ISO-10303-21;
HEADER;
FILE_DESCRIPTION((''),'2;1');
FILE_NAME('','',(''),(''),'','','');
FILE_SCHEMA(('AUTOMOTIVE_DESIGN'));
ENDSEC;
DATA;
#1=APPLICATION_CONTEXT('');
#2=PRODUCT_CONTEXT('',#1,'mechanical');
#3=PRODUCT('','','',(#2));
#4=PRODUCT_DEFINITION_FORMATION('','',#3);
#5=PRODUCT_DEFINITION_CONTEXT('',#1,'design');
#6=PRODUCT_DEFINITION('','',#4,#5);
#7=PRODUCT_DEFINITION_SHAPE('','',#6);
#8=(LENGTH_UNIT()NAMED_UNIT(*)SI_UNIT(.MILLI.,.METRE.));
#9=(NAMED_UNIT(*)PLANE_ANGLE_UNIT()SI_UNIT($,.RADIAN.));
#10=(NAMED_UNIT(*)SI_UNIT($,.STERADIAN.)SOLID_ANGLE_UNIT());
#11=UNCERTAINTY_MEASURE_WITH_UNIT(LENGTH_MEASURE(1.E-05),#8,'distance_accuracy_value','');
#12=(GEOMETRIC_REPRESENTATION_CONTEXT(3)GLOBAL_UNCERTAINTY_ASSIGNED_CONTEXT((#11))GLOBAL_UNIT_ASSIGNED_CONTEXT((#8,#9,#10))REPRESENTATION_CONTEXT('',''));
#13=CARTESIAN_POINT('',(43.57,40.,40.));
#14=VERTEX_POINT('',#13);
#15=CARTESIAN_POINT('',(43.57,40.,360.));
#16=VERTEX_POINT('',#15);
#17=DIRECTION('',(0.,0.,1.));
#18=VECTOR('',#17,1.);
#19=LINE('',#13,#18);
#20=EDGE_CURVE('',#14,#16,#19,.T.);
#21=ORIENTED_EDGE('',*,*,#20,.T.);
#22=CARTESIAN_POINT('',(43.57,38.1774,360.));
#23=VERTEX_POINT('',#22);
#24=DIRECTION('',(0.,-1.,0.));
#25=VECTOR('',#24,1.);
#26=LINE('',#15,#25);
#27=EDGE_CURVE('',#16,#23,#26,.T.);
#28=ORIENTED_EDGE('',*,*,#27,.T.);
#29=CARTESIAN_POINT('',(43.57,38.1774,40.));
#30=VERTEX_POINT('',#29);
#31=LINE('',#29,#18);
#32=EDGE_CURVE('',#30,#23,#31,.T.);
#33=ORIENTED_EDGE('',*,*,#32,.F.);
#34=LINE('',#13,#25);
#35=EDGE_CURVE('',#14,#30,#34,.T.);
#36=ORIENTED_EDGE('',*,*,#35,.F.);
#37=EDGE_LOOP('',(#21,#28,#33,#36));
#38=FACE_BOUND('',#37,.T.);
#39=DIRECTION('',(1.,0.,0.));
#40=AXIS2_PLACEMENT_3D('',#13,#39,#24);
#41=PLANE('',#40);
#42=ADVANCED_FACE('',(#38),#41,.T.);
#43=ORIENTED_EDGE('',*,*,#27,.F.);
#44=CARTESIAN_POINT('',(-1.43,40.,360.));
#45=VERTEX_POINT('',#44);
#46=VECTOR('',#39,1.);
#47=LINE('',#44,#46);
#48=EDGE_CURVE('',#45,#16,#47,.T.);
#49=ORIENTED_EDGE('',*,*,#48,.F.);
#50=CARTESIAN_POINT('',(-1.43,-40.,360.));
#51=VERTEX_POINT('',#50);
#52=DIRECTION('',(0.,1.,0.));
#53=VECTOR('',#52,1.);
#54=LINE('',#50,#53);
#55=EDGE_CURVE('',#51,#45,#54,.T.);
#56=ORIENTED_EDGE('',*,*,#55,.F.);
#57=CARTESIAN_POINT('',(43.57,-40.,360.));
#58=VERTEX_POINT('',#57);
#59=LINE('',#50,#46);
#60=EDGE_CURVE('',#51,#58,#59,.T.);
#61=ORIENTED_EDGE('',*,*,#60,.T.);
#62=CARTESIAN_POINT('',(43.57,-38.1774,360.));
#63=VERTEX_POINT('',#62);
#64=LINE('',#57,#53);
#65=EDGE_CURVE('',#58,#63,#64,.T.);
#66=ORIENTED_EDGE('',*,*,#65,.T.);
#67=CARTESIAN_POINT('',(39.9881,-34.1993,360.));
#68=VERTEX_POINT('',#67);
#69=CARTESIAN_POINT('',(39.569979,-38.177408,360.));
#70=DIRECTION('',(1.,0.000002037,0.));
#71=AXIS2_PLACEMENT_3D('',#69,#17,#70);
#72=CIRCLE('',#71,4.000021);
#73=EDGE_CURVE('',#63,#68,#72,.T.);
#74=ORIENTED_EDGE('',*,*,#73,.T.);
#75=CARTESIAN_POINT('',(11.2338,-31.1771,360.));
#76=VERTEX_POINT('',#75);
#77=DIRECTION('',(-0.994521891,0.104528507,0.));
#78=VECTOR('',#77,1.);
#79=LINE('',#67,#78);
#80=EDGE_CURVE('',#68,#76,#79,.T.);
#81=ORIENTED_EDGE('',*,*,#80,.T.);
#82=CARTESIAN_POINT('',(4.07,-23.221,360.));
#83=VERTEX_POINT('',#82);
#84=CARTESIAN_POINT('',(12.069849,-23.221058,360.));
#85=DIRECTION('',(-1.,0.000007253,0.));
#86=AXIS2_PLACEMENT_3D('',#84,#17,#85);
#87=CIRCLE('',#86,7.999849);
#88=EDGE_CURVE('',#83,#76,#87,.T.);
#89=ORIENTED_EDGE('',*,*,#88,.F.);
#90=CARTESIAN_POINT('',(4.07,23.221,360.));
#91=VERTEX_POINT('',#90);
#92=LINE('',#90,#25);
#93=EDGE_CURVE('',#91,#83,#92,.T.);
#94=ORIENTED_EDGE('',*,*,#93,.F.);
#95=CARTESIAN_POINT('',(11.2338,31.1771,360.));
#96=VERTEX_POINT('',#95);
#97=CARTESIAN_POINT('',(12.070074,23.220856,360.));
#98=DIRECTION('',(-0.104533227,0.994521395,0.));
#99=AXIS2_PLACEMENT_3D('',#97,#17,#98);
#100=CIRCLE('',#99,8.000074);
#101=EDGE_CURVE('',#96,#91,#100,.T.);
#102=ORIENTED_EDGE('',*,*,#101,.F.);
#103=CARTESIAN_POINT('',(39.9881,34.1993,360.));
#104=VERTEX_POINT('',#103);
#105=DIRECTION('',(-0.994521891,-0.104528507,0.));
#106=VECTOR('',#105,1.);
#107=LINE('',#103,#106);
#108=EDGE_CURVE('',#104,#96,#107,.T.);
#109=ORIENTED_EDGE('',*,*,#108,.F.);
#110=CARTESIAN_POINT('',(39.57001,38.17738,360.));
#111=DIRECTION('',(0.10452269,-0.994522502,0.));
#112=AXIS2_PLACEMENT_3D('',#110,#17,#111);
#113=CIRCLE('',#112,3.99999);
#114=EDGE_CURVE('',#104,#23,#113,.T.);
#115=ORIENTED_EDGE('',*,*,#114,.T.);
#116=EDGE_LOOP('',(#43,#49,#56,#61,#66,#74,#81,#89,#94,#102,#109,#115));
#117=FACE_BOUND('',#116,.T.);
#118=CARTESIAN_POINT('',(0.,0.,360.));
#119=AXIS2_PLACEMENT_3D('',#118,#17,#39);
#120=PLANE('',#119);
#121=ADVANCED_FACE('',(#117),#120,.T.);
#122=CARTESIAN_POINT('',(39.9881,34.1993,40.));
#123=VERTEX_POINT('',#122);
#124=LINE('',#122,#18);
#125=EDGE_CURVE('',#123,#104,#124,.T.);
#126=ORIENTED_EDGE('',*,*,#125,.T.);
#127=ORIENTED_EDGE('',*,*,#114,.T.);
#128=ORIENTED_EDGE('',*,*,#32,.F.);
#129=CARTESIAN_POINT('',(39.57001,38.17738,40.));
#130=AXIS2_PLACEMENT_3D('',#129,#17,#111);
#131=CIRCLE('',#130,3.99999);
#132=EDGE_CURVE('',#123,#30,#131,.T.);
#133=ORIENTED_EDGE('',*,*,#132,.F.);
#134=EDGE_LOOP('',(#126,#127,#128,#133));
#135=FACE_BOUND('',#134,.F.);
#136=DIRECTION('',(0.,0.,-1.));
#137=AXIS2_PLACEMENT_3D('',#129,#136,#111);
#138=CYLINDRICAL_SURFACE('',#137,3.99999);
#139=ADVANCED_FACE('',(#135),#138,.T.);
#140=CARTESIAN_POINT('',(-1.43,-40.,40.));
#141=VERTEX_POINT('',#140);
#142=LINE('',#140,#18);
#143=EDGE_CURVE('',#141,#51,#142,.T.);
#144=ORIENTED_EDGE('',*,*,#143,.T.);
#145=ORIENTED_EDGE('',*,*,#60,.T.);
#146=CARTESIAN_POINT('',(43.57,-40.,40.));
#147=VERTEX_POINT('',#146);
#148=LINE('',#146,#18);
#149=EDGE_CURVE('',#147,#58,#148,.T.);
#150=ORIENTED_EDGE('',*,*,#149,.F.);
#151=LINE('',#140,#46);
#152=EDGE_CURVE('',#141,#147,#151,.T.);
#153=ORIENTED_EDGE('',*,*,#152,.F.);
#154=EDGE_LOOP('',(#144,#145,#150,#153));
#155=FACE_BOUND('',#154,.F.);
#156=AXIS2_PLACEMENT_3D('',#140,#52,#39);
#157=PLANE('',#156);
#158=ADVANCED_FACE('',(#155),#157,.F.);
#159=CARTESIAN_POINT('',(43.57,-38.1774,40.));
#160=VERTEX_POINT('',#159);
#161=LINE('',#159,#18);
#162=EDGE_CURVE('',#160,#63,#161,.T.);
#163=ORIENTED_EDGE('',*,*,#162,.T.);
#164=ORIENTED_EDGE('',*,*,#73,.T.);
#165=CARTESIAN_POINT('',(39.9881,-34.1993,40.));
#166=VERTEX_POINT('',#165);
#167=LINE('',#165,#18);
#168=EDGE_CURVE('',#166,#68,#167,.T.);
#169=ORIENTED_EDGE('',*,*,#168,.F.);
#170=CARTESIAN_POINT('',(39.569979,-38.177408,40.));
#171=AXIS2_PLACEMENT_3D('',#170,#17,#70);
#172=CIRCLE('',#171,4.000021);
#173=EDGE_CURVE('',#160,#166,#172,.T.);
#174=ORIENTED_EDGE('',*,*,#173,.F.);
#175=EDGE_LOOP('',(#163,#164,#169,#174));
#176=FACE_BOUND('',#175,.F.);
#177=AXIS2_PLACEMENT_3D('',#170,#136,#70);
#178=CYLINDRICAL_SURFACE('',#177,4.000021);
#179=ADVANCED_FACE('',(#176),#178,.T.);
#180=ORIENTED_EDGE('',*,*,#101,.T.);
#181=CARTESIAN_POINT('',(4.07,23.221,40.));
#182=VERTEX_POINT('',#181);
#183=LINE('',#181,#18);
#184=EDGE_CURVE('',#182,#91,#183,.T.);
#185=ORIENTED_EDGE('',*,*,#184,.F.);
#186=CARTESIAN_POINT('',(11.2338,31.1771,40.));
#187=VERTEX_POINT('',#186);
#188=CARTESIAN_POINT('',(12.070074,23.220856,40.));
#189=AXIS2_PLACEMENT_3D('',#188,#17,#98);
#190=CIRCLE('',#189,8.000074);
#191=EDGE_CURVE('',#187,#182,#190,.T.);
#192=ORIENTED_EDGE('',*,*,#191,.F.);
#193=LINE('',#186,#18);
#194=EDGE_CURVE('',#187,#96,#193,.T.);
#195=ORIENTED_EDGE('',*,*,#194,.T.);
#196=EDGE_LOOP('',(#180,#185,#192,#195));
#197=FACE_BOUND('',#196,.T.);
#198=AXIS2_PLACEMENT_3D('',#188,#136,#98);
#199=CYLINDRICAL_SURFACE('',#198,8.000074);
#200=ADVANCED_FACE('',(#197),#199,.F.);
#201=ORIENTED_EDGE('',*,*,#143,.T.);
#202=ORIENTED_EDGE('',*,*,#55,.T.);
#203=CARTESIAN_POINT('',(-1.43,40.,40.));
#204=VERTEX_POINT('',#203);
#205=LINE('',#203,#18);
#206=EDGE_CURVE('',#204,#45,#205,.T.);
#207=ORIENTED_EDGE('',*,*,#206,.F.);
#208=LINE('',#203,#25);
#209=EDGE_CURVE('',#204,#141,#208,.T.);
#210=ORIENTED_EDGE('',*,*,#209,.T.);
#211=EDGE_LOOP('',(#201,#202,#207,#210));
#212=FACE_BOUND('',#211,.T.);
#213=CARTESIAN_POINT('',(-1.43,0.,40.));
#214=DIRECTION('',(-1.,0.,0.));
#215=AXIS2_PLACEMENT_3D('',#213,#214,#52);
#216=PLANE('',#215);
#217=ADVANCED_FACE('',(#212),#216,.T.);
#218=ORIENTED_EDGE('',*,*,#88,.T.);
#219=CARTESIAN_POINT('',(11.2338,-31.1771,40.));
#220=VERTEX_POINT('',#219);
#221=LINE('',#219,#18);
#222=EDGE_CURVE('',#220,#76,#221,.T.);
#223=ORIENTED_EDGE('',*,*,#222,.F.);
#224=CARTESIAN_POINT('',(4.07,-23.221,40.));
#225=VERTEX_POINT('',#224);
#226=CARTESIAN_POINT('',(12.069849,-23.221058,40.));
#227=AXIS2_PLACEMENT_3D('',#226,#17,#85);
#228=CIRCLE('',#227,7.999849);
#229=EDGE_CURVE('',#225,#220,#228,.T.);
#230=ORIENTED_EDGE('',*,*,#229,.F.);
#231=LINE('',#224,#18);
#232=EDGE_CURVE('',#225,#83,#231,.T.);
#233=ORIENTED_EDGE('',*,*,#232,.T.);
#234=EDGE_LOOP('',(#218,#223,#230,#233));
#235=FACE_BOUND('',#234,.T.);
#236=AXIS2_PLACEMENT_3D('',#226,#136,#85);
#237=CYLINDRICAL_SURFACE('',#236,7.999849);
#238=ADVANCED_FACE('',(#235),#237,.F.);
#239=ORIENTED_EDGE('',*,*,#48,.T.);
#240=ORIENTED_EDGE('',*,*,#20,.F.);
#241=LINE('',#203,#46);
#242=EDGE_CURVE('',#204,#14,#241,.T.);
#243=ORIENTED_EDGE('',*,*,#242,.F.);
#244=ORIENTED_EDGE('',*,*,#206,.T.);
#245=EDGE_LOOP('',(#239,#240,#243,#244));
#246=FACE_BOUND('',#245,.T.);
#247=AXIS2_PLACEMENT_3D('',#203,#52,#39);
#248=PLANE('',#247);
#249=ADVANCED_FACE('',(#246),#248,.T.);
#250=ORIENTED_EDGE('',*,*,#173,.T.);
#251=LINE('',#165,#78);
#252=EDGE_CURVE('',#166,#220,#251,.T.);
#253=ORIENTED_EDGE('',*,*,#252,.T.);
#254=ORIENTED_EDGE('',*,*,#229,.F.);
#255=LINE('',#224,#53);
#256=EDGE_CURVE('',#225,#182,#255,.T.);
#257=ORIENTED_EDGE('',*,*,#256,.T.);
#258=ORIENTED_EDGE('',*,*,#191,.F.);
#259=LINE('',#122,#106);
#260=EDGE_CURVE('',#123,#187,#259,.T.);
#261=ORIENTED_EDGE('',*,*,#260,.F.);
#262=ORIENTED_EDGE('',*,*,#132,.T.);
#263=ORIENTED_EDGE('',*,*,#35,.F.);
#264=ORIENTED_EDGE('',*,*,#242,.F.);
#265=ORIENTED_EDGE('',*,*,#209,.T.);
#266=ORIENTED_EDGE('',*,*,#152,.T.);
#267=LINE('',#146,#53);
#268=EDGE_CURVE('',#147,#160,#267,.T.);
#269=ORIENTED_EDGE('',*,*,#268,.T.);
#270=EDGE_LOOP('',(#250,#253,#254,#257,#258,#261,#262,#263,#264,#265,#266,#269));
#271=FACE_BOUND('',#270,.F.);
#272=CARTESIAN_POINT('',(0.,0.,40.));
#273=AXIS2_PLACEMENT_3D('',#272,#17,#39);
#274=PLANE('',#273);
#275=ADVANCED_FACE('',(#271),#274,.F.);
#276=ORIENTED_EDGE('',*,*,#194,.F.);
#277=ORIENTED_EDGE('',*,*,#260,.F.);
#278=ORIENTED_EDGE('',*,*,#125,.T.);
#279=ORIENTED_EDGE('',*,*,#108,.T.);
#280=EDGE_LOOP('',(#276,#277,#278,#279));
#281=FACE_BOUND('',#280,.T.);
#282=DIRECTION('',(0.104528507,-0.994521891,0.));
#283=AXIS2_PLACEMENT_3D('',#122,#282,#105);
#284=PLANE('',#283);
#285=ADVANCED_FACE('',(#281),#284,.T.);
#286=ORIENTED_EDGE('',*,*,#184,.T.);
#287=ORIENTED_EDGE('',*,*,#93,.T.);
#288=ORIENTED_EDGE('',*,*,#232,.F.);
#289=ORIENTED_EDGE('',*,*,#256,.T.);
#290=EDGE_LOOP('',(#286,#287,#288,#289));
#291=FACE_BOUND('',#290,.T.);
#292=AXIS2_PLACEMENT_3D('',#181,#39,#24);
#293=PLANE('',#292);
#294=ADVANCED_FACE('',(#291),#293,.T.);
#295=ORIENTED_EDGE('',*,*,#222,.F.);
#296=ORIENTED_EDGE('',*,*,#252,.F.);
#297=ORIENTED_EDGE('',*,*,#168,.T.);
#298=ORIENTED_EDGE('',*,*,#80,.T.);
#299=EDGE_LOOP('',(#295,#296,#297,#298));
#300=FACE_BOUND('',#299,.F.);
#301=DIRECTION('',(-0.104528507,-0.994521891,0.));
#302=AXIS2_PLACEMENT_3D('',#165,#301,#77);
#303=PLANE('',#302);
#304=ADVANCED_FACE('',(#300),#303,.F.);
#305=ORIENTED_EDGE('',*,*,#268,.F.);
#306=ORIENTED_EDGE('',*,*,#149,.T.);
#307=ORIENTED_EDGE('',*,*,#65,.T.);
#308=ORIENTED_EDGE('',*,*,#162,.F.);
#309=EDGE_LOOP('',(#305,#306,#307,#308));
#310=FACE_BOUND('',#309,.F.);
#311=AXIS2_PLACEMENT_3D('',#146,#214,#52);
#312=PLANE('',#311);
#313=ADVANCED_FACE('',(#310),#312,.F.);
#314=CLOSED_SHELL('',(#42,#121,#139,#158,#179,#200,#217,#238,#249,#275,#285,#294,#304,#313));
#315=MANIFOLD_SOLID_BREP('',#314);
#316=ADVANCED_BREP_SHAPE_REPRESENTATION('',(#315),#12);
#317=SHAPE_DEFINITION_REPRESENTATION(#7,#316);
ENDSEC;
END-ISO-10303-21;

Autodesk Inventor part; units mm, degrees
ref_plane "Начальная плоскость" through (0, 0, 40) normal (0, 0, 1) x (1, 0, 0)
ref_plane "Конечная плоскость" through (0, 0, 360) normal (0, 0, 1) x (1, 0, 0)
sketch "Эскиз" plane through (0, 0, 0) normal (0, 0, 1) x (1, 0, 0)
  line L0 (-1.43, 0) -> (-1.43, 40)
  line L1 (-1.43, 40) -> (43.57, 40)
  line L2 (43.57, 40) -> (43.57, 38.1774)
  line L3 (39.9881, 34.1993) -> (11.2338, 31.1771)
  line L4 (4.07, 23.221) -> (4.07, 0)
  line L5 (4.07, 0) -> (-1.43, 0) construction
  line L6 (23.82, 40) -> (23.82, 32.5) construction
  line L7 (43.57, 34.5758) -> (43.57, 32.5) construction
  line L8 (43.57, 32.5) -> (23.82, 32.5) construction
  line L9 (0, 15) -> (0, -27) construction
  line L10 (-5.539, 0) -> (16.0067, 0) construction
  line L11 (-1.43, 0) -> (-1.43, -40)
  line L12 (-1.43, -40) -> (43.57, -40)
  line L13 (43.57, -40) -> (43.57, -38.1774)
  line L14 (39.9881, -34.1993) -> (11.2338, -31.1771)
  line L15 (4.07, -23.221) -> (4.07, 0)
  arc A0 (11.2338, 31.1771) -> (4.07, 23.221) centre (12.07, 23.221) ccw
  arc A1 (4.07, -23.221) -> (11.2338, -31.1771) centre (12.07, -23.221) ccw
  arc A2 (39.9881, 34.1993) -> (43.57, 38.1774) centre (39.57, 38.1774) ccw
  arc A3 (43.57, -38.1774) -> (39.9881, -34.1993) centre (39.57, -38.1774) ccw
  line L16 (0, 56) -> (0, -56) construction
  line L17 (-15.5135, 0) -> (54.308, 0) construction
  point P0 (4.07, 30.4242)
  point P1 (43.57, -34.5758)
  point P2 (4.07, -30.4242)
  point P3 (23.82, -40)
  point P4 (23.82, -32.5)
  dimension "d0" = 5.5
  dimension "d1" = 40
  dimension "d2" = 45
  dimension "d3" = 7.5
  dimension "d4" = 19.75
  dimension "d5" = 2.0758
  dimension "d23" = 8
  dimension "d24" = 4
  dimension "d25" = 1.43
extrude "Тело" add sketch "Эскиз" along normal up to surface (320 mm away) from surface at 40
sketch "Sketch3" plane through (0, 0, 0) normal (0, 0, 1) x (1, 0, 0)
  line L0 (0, 0) -> (10, 0)
ref_plane "Work Plane3" through (0, 0, 0) normal (0, -1, 0) x (1, 0, 0)
sketch "Sketch4" plane through (0, 0, 0) normal (0, -1, 0) x (1, 0, 0)
  line L0 (-2, 40) -> (12, 40)
  line L1 (-2, 360) -> (12, 360)
  dimension "d29" = 320
ref_plane "РабПлоскость4" through (43.57, -400, 40) normal (0, 0, -1) x (-1, 0, 0)
split "Разделение1" plane through (43.57, -400, 40) removes the side toward (0, 0, -1)
ref_plane "РабПлоскость5" through (43.57, 270, 360) normal (0, 0, 1) x (1, 0, 0)
split "Разделение2" plane through (43.57, 270, 360) removes the side toward (0, 0, 1)
equation "\"d0\" = G_T"
equation "\"d1\" = 0.5 * G_H"
equation "\"d2\" = G_W"
equation "\"d3\" = G_T1"
equation "\"d4\" = G_C"
equation "\"d23\" = G_IR"
equation "\"d24\" = G_ER"
equation "\"d25\" = ex"
equation "\"d6\" = G_L"
equation "\"G_W\" = 45"
equation "\"G_T\" = 5.5"
equation "\"G_T1\" = 7.5"
equation "\"G_NG\" = 0.105104"
equation "\"G_ER\" = 4"
equation "\"G_IR\" = 8"
equation "\"G_C\" = 19.75"
equation "\"G_L\" = d29"
equation "\"ex\" = 1.43"
equation "\"G_H\" = 80"
properties part number "ISO 657/11 - CH 80 x 8 - 320" material "Сталь, мягкая"
